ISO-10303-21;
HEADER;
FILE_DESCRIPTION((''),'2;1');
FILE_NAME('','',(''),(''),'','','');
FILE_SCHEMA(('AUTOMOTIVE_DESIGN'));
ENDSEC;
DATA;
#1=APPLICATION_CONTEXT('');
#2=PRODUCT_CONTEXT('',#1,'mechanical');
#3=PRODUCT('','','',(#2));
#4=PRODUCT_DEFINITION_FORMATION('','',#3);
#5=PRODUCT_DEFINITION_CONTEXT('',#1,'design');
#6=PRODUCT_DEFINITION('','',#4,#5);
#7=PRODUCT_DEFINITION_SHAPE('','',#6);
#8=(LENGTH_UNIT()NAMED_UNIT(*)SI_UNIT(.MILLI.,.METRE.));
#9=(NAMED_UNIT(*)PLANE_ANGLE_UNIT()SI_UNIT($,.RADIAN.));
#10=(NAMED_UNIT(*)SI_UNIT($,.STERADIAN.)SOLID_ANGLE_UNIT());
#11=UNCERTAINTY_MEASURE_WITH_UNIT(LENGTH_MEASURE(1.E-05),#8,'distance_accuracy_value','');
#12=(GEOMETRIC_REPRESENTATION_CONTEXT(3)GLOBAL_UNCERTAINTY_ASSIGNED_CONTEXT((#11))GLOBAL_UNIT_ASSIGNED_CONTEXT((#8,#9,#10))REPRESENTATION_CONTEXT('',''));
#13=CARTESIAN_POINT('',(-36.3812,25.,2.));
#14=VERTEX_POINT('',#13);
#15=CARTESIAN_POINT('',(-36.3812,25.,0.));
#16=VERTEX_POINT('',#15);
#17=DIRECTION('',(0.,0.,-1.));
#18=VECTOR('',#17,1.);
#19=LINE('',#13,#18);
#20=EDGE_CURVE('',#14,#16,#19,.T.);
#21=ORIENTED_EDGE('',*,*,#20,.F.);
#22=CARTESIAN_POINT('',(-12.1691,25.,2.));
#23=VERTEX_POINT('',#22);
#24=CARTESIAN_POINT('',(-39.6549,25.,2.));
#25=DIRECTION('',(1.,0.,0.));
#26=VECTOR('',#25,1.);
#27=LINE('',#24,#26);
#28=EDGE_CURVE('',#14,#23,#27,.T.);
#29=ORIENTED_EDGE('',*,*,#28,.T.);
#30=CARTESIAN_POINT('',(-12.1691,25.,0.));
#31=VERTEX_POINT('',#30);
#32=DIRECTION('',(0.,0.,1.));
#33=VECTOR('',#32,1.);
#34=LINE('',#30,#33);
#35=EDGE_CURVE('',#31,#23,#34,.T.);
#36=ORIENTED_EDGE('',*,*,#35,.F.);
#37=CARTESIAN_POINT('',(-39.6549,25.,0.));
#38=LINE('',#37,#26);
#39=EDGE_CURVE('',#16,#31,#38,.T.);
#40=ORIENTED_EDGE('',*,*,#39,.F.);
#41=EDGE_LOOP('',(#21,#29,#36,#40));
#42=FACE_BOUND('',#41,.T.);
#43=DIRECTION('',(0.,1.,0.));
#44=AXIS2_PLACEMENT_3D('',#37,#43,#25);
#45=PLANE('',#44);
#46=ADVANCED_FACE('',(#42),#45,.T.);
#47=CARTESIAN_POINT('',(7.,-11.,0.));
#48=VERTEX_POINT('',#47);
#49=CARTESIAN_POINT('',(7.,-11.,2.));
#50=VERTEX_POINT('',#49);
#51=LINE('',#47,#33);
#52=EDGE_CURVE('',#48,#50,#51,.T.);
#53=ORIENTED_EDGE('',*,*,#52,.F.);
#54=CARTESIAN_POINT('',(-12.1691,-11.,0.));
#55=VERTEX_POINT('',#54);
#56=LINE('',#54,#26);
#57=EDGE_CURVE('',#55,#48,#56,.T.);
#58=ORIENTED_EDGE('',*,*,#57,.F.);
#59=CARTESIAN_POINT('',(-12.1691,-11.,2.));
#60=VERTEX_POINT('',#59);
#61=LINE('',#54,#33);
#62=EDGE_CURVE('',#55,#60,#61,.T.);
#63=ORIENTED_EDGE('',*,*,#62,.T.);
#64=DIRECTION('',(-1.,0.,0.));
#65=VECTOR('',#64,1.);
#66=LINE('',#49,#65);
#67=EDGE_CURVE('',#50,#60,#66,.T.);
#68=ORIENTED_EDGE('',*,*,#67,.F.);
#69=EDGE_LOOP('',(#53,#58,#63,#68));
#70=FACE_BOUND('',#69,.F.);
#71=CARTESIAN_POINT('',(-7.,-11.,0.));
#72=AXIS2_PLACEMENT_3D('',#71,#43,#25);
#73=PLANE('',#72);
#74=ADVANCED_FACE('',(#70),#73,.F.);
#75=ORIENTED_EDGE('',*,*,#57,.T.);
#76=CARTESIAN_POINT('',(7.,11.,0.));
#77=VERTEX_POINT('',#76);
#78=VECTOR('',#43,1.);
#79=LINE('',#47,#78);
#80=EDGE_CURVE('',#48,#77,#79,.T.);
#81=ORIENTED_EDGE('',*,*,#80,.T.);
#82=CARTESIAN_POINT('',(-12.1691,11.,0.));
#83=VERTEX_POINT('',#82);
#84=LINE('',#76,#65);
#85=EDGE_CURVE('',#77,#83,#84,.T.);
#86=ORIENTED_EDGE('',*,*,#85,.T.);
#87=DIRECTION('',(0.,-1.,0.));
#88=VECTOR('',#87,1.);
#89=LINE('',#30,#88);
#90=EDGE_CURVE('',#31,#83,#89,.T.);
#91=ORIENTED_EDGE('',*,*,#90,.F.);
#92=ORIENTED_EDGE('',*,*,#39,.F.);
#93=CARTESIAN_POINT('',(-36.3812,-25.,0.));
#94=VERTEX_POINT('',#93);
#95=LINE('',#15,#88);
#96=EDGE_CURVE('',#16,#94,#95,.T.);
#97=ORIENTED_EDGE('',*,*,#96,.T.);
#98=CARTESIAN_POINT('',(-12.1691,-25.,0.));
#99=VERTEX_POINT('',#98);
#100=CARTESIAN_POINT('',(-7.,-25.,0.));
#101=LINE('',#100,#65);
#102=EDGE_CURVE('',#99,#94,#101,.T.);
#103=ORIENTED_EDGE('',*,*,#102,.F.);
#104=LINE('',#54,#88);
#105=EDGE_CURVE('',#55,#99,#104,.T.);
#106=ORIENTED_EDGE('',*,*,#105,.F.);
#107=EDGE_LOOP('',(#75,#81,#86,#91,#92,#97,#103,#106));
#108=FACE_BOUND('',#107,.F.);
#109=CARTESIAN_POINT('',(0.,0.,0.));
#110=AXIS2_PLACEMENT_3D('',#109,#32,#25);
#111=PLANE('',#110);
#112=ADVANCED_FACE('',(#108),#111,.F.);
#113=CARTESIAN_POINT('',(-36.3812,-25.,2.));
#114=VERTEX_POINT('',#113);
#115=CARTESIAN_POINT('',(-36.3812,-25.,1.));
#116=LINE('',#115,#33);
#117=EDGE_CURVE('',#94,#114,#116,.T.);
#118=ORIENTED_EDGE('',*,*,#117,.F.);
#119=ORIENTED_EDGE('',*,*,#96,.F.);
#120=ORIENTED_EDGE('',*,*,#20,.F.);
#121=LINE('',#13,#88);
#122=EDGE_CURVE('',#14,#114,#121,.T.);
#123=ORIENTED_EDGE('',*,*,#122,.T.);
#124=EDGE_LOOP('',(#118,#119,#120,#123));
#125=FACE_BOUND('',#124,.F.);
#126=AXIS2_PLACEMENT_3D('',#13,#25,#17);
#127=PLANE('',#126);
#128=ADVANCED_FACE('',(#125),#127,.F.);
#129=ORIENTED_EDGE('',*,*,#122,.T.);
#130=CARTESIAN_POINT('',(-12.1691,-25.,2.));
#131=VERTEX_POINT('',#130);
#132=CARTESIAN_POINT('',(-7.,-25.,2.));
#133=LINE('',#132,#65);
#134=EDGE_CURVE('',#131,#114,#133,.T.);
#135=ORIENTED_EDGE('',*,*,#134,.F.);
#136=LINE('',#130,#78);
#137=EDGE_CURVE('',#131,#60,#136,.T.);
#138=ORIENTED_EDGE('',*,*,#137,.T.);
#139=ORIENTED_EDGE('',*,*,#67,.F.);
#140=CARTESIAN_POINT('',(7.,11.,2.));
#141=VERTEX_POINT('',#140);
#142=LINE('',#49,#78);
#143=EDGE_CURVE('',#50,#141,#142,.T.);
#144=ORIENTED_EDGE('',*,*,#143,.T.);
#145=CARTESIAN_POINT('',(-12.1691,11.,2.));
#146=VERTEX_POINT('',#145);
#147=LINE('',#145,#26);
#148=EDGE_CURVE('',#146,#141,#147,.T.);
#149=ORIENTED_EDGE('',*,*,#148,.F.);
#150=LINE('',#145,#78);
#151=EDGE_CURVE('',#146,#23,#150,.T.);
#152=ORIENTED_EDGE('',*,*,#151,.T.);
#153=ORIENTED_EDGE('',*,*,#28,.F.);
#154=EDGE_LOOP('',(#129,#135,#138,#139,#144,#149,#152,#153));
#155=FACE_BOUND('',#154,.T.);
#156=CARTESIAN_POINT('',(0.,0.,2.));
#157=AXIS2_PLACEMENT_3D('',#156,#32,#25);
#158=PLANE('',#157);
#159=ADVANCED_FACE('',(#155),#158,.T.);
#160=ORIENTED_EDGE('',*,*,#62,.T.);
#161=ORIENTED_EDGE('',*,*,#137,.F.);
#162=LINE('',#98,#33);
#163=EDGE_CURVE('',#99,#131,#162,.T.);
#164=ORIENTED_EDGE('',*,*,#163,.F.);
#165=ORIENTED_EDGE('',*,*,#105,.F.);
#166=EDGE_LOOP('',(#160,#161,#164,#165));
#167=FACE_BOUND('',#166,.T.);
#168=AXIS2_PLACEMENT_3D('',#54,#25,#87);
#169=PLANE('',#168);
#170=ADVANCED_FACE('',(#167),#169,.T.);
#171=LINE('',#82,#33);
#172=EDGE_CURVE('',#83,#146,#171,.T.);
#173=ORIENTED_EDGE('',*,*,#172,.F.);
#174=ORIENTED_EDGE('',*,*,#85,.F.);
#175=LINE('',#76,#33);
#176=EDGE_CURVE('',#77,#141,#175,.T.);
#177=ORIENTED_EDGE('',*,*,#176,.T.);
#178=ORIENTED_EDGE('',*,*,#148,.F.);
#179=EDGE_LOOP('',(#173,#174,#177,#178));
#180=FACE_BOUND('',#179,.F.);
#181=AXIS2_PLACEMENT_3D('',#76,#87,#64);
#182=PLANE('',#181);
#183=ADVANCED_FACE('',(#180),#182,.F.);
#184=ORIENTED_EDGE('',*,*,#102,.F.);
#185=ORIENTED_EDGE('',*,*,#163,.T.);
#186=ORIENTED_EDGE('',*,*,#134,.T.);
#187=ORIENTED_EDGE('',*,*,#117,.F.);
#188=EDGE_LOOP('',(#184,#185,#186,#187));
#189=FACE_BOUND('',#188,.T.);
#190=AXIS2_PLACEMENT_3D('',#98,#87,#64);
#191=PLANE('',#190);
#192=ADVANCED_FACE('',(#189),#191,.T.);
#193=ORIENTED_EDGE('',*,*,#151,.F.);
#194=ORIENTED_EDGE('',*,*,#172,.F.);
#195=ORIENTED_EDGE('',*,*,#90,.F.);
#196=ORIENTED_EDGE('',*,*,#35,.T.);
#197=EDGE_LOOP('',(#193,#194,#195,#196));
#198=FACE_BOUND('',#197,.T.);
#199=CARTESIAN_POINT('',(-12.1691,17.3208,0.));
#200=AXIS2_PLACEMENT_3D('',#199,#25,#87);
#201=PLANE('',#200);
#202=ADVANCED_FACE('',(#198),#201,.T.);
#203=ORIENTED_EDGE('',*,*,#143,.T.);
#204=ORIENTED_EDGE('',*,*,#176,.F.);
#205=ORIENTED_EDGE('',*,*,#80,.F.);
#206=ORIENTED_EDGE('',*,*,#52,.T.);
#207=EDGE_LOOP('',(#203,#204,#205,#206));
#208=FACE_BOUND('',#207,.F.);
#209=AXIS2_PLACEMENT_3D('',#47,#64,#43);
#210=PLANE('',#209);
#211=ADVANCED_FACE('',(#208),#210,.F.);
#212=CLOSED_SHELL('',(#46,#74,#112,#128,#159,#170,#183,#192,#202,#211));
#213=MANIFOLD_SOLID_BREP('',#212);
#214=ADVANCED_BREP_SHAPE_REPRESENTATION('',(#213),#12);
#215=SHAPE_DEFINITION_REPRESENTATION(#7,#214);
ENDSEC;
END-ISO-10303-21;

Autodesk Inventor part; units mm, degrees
ref_plane "YZ Plane" through (0, 0, 0) normal (1, 0, 0) x (0, 1, 0)
ref_plane "XZ Plane" through (0, 0, 0) normal (0, 1, 0) x (-1, 0, 0)
ref_plane "XY Plane" through (0, 0, 0) normal (0, 0, 1) x (1, 0, 0)
sketch "Szkic1" plane through (0, 0, 0) normal (0, 0, 1) x (1, 0, 0)
  line L0 (7, 11) -> (-7, 11) projected
  line L1 (-7, 11) -> (-7, -11) projected
  line L2 (-7, -11) -> (7, -11) projected
  line L3 (7, -11) -> (7, 11) projected
  line L4 (-39.6549, 25) -> (-39.6549, -25) projected
  line L5 (-7, -25) -> (-39.6549, -25) projected
  line L6 (-7, -25) -> (-7, -11) projected
  line L7 (-7, -11) -> (7, -11) projected
  line L8 (7, 11) -> (7, -11) projected
  line L9 (7, 11) -> (-7, 11) projected
  line L10 (-7, 11) -> (-7, 25) projected
  line L11 (-39.6549, 25) -> (-7, 25) projected
  line L12 (-12.1691, 22.3198) -> (-12.1691, 17.3208) projected
  line L13 (-12.1691, -19.1802) -> (-12.1691, -24.1792) projected
  line L14 (-12.1691, 22.3198) -> (-12.1691, 25)
  line L15 (-12.1691, 17.3208) -> (-12.1691, -19.1802)
  line L16 (-12.1691, -24.1792) -> (-12.1691, -25)
  line L17 (-7, 11) -> (-12.1691, 11)
  line L18 (-7, -11) -> (-12.1691, -11)
  point P0 (0, 0)
extrude "Wyciągnięcie proste1" add sketch "Szkic1" along normal blind 2 contours L3 L2 L1 L0 | L1 L18 L15 L17 | L15 L13 L16 L5 L4 L11 L14 L12
sketch "Szkic2" plane through (-39.6549, 25, 0) normal (0, 1, 0) x (1, 0, 0)
  line L0 (3.2737, -2) -> (-1.2456, 12.15) projected
  line L1 (27.4857, 0) -> (0, 0) projected
  line L2 (0, 0) -> (0, -2) projected
  line L3 (27.4857, -2) -> (0, -2) projected
  line L4 (27.4857, 0) -> (27.4857, -2) projected
  line L5 (3.2737, -2) -> (3.2737, 0)
  point P0 (39.6549, 0)
extrude "Wyciągnięcie proste2" cut sketch "Szkic2" against normal through all contours L3 L2 L1 L0 | L0 L1 L5
properties part number "PCB_BYK"
